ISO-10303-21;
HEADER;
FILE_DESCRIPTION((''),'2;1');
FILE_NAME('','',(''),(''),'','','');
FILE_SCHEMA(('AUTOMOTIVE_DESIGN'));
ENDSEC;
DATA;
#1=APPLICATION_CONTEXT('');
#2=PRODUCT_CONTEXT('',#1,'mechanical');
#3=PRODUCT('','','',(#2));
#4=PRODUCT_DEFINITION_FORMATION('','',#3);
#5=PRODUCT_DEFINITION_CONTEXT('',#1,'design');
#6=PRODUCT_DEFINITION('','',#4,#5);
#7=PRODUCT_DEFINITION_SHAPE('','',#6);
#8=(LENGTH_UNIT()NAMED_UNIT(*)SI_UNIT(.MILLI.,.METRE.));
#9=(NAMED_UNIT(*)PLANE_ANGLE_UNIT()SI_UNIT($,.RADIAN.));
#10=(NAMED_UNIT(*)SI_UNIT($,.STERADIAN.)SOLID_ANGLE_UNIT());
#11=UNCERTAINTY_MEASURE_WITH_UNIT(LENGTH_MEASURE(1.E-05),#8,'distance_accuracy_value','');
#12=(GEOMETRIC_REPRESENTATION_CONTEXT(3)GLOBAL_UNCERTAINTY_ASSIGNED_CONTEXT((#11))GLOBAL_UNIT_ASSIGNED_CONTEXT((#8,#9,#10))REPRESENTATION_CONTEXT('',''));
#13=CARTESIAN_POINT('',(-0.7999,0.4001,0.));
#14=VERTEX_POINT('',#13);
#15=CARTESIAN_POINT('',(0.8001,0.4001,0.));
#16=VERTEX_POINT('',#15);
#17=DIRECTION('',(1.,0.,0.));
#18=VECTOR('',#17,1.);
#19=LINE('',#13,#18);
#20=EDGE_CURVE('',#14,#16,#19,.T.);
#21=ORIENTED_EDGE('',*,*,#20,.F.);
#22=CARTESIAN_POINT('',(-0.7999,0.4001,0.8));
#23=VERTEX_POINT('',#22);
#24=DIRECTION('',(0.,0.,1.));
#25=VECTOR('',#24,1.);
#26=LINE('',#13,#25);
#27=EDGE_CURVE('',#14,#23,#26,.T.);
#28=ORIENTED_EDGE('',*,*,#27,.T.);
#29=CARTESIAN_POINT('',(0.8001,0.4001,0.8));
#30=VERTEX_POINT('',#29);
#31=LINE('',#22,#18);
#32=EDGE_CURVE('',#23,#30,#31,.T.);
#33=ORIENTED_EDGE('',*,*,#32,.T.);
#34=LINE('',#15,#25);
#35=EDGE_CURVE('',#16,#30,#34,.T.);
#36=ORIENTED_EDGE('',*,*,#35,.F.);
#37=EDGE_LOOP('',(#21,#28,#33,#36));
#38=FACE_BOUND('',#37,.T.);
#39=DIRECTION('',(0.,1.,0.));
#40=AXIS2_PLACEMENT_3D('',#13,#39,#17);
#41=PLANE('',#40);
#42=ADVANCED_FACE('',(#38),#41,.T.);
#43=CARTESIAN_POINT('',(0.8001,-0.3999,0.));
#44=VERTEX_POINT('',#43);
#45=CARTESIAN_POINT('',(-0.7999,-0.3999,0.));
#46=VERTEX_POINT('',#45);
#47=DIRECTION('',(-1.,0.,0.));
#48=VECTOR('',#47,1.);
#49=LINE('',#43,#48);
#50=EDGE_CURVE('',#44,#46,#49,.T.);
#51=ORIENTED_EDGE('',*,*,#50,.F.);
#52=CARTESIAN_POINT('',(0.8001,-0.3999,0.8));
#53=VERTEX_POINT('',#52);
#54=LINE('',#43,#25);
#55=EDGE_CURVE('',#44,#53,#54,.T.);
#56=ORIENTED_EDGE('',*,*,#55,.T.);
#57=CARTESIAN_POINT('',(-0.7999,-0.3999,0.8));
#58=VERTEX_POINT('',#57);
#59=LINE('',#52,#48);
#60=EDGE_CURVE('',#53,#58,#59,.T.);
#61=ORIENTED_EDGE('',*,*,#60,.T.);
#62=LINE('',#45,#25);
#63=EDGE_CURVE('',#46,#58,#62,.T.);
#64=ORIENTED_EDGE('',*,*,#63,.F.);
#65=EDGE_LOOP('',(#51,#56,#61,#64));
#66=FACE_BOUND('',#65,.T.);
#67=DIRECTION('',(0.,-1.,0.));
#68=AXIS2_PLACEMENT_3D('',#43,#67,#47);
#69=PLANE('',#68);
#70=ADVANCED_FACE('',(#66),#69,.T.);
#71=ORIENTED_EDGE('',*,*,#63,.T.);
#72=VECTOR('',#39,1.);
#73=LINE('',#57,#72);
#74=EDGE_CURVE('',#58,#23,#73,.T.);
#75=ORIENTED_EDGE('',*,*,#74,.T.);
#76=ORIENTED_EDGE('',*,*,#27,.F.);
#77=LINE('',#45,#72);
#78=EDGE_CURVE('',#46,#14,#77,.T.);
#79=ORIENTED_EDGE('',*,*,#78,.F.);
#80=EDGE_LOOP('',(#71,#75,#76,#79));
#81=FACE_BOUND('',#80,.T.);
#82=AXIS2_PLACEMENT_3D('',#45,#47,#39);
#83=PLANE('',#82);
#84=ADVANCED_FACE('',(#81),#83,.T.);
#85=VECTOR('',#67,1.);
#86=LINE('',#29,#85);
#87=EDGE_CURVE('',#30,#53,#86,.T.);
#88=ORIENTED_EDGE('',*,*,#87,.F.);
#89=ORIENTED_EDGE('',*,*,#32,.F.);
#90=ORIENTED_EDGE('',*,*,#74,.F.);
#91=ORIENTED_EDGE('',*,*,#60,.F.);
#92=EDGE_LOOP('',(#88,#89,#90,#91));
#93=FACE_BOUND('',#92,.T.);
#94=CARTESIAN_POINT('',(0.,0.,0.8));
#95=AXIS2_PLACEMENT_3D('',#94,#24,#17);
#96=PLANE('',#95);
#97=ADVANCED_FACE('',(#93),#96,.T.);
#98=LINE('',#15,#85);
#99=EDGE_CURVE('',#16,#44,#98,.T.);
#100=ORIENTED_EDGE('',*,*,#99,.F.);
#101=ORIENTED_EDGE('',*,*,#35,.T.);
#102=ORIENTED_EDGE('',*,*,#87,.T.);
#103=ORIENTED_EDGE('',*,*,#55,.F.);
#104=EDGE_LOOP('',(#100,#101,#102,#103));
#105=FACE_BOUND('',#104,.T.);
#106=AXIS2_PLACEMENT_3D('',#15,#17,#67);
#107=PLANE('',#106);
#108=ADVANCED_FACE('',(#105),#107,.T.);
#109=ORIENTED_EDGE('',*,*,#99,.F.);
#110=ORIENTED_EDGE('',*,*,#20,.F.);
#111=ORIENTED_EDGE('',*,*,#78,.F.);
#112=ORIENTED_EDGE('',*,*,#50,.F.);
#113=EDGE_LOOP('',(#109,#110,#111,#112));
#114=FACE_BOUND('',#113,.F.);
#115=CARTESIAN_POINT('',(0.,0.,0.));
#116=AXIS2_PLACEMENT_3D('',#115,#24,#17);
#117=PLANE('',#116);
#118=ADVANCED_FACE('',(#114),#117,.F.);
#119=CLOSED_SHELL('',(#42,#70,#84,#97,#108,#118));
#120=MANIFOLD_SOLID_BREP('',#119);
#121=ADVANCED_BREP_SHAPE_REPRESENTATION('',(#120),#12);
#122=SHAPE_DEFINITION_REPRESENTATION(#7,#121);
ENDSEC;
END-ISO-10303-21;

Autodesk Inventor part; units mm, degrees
ref_plane "YZ Plane" through (0, 0, 0) normal (1, 0, 0) x (0, 1, 0)
ref_plane "XZ Plane" through (0, 0, 0) normal (0, 1, 0) x (-1, 0, 0)
ref_plane "XY Plane" through (0, 0, 0) normal (0, 0, 1) x (1, 0, 0)
sketch "R0603, CG0603MLC-05E_280" plane through (0, 0, 0) normal (0, 0, 1) x (1, 0, 0)
  line L0 (0.8001, 0.4001) -> (0.8001, -0.3999)
  line L1 (0.8001, -0.3999) -> (-0.7999, -0.3999)
  line L2 (-0.7999, -0.3999) -> (-0.7999, 0.4001)
  line L3 (-0.7999, 0.4001) -> (0.8001, 0.4001)
extrude "Extrusion1" add sketch "R0603, CG0603MLC-05E_280" along normal blind 0.8
properties part number "CG0603MLC-05E"
